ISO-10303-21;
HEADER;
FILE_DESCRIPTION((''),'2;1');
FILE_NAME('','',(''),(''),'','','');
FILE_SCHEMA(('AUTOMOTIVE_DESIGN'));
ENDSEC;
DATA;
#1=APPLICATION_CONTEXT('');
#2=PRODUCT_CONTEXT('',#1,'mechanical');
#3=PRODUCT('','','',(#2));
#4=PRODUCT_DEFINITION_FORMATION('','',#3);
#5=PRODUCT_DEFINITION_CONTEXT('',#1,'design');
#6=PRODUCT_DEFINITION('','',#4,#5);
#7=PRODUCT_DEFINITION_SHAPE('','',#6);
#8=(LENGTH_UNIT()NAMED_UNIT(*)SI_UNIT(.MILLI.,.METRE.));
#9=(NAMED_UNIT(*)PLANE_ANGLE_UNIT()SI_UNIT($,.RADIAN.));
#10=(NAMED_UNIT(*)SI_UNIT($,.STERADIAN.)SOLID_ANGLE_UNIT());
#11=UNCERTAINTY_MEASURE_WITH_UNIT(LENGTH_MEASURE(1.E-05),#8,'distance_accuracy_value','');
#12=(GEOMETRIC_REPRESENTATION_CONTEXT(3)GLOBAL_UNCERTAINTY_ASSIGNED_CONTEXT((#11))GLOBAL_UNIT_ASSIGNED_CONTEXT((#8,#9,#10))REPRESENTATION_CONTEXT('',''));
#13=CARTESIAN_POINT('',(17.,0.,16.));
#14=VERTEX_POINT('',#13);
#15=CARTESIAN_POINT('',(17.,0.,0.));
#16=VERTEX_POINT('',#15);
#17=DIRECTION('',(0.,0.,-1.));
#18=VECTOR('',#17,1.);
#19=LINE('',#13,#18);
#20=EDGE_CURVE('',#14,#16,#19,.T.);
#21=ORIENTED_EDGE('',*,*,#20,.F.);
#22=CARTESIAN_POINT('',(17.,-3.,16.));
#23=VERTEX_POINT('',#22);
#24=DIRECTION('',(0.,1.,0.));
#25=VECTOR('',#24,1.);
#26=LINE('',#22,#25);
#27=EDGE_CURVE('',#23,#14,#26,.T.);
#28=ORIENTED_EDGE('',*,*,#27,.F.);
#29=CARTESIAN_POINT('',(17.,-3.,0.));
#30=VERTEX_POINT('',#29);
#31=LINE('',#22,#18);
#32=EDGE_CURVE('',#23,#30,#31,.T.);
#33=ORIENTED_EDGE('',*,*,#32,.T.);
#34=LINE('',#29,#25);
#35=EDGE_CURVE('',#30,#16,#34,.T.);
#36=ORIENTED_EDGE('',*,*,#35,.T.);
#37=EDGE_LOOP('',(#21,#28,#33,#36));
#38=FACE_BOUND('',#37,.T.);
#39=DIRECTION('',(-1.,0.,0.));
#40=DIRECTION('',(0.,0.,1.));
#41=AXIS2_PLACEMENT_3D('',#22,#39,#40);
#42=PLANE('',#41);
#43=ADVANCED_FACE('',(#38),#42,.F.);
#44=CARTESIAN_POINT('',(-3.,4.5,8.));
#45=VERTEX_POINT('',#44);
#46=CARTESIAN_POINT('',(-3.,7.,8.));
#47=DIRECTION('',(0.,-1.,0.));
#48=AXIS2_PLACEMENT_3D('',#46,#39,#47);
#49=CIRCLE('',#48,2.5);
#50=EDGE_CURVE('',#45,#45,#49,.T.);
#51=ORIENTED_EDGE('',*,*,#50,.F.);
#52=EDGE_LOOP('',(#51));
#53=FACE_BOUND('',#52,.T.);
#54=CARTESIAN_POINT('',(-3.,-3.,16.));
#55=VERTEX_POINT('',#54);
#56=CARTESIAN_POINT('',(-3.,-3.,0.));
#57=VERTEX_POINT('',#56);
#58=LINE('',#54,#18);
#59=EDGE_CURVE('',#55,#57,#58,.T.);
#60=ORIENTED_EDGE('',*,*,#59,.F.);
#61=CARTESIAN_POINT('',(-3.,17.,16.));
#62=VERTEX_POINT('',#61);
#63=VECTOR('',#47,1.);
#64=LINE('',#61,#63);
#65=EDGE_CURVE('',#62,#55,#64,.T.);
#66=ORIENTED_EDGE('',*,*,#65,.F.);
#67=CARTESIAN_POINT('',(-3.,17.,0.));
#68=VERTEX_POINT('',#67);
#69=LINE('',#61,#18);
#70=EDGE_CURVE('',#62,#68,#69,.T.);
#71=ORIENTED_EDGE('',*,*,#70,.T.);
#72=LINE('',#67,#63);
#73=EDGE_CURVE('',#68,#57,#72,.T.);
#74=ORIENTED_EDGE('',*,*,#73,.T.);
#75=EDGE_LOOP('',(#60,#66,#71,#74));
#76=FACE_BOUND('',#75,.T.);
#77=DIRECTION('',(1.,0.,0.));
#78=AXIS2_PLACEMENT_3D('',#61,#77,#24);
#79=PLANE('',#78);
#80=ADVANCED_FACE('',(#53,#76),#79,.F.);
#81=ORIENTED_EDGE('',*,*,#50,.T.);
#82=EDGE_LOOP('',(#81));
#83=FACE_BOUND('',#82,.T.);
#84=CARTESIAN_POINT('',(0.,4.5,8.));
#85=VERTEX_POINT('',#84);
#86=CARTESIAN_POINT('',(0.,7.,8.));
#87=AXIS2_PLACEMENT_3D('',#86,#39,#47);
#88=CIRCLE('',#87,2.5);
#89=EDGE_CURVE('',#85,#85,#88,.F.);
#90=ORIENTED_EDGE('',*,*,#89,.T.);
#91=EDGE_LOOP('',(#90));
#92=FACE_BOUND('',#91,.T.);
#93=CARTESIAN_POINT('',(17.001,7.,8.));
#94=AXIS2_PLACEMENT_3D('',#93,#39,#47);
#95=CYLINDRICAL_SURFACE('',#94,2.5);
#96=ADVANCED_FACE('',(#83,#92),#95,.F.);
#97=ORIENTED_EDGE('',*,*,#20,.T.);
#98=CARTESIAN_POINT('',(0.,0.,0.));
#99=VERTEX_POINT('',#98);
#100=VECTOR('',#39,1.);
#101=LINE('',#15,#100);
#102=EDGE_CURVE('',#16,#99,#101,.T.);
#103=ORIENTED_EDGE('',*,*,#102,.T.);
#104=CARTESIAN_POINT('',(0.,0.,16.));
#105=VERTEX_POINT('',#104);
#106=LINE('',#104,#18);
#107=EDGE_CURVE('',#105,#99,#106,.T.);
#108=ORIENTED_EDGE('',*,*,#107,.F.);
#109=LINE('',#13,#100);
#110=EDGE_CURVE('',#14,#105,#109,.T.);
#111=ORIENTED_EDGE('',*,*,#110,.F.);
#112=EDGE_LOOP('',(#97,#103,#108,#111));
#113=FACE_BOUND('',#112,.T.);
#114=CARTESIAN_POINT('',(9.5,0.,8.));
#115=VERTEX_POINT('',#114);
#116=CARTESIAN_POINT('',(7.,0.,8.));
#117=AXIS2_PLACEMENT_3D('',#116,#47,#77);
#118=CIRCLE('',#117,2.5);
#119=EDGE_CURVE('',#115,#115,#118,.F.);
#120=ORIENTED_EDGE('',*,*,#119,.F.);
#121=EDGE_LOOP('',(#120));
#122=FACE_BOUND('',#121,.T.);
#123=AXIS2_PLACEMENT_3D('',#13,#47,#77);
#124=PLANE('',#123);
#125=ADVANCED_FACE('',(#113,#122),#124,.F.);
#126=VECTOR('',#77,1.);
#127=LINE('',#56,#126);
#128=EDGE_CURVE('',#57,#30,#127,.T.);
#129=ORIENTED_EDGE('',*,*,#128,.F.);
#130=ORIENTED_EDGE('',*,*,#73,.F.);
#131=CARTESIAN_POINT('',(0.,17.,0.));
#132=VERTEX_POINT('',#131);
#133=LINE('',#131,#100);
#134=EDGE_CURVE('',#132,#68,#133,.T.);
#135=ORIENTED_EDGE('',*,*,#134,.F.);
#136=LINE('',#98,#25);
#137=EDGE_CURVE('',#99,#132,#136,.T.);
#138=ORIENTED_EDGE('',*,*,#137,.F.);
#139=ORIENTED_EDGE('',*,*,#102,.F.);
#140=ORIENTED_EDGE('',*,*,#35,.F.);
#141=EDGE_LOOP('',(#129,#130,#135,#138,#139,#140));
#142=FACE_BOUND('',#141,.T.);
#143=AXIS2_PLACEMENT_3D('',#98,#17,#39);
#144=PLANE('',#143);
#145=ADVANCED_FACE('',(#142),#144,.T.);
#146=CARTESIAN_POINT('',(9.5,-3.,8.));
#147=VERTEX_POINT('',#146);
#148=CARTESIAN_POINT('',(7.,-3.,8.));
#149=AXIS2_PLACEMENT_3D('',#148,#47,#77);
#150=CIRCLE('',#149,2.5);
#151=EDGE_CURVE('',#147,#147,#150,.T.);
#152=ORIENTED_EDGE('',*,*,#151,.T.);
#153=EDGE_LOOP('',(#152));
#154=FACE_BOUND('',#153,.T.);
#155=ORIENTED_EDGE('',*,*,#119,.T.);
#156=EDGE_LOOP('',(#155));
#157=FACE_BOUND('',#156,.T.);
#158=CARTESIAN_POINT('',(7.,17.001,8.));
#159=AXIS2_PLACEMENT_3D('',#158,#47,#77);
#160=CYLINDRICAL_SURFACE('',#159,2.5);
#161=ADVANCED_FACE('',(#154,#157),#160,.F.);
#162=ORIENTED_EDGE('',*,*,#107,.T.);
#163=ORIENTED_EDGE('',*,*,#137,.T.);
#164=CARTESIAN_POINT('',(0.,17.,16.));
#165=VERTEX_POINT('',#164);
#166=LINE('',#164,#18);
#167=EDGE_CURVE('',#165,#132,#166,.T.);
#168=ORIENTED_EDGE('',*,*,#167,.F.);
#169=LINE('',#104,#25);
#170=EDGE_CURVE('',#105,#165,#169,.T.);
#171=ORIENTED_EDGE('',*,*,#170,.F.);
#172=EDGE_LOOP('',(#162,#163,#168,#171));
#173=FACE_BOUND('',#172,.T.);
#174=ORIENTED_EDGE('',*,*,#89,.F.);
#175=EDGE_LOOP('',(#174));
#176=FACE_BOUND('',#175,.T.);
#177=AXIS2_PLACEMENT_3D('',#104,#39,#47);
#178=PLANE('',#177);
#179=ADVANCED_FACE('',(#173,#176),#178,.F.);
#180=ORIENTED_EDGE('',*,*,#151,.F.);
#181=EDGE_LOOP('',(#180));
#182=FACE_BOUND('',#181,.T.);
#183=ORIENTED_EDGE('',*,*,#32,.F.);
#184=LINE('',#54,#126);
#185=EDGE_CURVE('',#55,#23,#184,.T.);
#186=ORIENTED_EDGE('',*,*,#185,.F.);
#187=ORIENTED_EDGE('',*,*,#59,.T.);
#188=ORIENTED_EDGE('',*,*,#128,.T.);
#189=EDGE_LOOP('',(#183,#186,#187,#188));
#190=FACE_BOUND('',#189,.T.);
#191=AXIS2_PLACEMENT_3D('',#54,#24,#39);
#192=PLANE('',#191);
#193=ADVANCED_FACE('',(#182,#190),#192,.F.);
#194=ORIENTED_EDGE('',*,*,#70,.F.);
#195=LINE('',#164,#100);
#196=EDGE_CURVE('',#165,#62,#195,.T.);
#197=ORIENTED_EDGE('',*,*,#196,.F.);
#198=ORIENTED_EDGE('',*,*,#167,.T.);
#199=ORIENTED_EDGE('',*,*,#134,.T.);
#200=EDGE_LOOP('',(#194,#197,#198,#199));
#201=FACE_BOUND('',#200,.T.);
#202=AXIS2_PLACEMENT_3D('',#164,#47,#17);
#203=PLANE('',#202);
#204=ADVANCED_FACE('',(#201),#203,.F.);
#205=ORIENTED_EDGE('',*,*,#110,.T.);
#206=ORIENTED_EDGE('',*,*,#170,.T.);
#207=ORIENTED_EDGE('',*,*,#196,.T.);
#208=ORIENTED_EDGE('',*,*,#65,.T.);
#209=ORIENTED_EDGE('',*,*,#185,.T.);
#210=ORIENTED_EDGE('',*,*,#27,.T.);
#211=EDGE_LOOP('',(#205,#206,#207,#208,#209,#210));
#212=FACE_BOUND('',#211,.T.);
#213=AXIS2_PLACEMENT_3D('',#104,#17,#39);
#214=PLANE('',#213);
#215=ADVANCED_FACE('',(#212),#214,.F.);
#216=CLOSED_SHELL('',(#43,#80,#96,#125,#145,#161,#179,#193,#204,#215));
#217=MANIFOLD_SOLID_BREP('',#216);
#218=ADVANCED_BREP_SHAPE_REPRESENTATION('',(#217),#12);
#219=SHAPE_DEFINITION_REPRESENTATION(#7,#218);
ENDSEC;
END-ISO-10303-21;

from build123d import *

# Parameters (mm, degrees)
BOSS_EXTRUDE1_DEPTH = 16
CUT_EXTRUDE1_REACH  = 32.741
SKETCH2_R           = 2.5
CUT_EXTRUDE2_REACH  = 32.741
SKETCH3_R           = 2.5


with BuildPart() as part:
    # Sketch1 → Boss-Extrude1 (new body)
    with BuildSketch(Plane.XY):
        Polygon((0, 0), (0, 17), (-3, 17), (-3, -3), (17, -3), (17, 0), align=None)
    extrude(amount=BOSS_EXTRUDE1_DEPTH)

    # Sketch2 → Cut-Extrude1 (cut, up to next)
    with BuildSketch(Plane.ZY.offset(3), mode=Mode.PRIVATE) as cut_extrude1_sk1:
        with Locations(Location((8, 7, 0), (0, 0, 270))):
            Circle(SKETCH2_R)
    cut_extrude1_tool1 = extrude(cut_extrude1_sk1.sketch, amount=-CUT_EXTRUDE1_REACH, mode=Mode.PRIVATE) & part.part
    add(cut_extrude1_tool1.solids().sort_by_distance((-3, 7, 8))[0], mode=Mode.SUBTRACT)

    # Sketch3 → Cut-Extrude2 (cut, up to next)
    with BuildSketch(Plane.XZ.offset(3), mode=Mode.PRIVATE) as cut_extrude2_sk1:
        with Locations((7, 8)):
            Circle(SKETCH3_R)
    cut_extrude2_tool1 = extrude(cut_extrude2_sk1.sketch, amount=-CUT_EXTRUDE2_REACH, mode=Mode.PRIVATE) & part.part
    add(cut_extrude2_tool1.solids().sort_by_distance((7, -3, 8))[0], mode=Mode.SUBTRACT)


solid = part.part
